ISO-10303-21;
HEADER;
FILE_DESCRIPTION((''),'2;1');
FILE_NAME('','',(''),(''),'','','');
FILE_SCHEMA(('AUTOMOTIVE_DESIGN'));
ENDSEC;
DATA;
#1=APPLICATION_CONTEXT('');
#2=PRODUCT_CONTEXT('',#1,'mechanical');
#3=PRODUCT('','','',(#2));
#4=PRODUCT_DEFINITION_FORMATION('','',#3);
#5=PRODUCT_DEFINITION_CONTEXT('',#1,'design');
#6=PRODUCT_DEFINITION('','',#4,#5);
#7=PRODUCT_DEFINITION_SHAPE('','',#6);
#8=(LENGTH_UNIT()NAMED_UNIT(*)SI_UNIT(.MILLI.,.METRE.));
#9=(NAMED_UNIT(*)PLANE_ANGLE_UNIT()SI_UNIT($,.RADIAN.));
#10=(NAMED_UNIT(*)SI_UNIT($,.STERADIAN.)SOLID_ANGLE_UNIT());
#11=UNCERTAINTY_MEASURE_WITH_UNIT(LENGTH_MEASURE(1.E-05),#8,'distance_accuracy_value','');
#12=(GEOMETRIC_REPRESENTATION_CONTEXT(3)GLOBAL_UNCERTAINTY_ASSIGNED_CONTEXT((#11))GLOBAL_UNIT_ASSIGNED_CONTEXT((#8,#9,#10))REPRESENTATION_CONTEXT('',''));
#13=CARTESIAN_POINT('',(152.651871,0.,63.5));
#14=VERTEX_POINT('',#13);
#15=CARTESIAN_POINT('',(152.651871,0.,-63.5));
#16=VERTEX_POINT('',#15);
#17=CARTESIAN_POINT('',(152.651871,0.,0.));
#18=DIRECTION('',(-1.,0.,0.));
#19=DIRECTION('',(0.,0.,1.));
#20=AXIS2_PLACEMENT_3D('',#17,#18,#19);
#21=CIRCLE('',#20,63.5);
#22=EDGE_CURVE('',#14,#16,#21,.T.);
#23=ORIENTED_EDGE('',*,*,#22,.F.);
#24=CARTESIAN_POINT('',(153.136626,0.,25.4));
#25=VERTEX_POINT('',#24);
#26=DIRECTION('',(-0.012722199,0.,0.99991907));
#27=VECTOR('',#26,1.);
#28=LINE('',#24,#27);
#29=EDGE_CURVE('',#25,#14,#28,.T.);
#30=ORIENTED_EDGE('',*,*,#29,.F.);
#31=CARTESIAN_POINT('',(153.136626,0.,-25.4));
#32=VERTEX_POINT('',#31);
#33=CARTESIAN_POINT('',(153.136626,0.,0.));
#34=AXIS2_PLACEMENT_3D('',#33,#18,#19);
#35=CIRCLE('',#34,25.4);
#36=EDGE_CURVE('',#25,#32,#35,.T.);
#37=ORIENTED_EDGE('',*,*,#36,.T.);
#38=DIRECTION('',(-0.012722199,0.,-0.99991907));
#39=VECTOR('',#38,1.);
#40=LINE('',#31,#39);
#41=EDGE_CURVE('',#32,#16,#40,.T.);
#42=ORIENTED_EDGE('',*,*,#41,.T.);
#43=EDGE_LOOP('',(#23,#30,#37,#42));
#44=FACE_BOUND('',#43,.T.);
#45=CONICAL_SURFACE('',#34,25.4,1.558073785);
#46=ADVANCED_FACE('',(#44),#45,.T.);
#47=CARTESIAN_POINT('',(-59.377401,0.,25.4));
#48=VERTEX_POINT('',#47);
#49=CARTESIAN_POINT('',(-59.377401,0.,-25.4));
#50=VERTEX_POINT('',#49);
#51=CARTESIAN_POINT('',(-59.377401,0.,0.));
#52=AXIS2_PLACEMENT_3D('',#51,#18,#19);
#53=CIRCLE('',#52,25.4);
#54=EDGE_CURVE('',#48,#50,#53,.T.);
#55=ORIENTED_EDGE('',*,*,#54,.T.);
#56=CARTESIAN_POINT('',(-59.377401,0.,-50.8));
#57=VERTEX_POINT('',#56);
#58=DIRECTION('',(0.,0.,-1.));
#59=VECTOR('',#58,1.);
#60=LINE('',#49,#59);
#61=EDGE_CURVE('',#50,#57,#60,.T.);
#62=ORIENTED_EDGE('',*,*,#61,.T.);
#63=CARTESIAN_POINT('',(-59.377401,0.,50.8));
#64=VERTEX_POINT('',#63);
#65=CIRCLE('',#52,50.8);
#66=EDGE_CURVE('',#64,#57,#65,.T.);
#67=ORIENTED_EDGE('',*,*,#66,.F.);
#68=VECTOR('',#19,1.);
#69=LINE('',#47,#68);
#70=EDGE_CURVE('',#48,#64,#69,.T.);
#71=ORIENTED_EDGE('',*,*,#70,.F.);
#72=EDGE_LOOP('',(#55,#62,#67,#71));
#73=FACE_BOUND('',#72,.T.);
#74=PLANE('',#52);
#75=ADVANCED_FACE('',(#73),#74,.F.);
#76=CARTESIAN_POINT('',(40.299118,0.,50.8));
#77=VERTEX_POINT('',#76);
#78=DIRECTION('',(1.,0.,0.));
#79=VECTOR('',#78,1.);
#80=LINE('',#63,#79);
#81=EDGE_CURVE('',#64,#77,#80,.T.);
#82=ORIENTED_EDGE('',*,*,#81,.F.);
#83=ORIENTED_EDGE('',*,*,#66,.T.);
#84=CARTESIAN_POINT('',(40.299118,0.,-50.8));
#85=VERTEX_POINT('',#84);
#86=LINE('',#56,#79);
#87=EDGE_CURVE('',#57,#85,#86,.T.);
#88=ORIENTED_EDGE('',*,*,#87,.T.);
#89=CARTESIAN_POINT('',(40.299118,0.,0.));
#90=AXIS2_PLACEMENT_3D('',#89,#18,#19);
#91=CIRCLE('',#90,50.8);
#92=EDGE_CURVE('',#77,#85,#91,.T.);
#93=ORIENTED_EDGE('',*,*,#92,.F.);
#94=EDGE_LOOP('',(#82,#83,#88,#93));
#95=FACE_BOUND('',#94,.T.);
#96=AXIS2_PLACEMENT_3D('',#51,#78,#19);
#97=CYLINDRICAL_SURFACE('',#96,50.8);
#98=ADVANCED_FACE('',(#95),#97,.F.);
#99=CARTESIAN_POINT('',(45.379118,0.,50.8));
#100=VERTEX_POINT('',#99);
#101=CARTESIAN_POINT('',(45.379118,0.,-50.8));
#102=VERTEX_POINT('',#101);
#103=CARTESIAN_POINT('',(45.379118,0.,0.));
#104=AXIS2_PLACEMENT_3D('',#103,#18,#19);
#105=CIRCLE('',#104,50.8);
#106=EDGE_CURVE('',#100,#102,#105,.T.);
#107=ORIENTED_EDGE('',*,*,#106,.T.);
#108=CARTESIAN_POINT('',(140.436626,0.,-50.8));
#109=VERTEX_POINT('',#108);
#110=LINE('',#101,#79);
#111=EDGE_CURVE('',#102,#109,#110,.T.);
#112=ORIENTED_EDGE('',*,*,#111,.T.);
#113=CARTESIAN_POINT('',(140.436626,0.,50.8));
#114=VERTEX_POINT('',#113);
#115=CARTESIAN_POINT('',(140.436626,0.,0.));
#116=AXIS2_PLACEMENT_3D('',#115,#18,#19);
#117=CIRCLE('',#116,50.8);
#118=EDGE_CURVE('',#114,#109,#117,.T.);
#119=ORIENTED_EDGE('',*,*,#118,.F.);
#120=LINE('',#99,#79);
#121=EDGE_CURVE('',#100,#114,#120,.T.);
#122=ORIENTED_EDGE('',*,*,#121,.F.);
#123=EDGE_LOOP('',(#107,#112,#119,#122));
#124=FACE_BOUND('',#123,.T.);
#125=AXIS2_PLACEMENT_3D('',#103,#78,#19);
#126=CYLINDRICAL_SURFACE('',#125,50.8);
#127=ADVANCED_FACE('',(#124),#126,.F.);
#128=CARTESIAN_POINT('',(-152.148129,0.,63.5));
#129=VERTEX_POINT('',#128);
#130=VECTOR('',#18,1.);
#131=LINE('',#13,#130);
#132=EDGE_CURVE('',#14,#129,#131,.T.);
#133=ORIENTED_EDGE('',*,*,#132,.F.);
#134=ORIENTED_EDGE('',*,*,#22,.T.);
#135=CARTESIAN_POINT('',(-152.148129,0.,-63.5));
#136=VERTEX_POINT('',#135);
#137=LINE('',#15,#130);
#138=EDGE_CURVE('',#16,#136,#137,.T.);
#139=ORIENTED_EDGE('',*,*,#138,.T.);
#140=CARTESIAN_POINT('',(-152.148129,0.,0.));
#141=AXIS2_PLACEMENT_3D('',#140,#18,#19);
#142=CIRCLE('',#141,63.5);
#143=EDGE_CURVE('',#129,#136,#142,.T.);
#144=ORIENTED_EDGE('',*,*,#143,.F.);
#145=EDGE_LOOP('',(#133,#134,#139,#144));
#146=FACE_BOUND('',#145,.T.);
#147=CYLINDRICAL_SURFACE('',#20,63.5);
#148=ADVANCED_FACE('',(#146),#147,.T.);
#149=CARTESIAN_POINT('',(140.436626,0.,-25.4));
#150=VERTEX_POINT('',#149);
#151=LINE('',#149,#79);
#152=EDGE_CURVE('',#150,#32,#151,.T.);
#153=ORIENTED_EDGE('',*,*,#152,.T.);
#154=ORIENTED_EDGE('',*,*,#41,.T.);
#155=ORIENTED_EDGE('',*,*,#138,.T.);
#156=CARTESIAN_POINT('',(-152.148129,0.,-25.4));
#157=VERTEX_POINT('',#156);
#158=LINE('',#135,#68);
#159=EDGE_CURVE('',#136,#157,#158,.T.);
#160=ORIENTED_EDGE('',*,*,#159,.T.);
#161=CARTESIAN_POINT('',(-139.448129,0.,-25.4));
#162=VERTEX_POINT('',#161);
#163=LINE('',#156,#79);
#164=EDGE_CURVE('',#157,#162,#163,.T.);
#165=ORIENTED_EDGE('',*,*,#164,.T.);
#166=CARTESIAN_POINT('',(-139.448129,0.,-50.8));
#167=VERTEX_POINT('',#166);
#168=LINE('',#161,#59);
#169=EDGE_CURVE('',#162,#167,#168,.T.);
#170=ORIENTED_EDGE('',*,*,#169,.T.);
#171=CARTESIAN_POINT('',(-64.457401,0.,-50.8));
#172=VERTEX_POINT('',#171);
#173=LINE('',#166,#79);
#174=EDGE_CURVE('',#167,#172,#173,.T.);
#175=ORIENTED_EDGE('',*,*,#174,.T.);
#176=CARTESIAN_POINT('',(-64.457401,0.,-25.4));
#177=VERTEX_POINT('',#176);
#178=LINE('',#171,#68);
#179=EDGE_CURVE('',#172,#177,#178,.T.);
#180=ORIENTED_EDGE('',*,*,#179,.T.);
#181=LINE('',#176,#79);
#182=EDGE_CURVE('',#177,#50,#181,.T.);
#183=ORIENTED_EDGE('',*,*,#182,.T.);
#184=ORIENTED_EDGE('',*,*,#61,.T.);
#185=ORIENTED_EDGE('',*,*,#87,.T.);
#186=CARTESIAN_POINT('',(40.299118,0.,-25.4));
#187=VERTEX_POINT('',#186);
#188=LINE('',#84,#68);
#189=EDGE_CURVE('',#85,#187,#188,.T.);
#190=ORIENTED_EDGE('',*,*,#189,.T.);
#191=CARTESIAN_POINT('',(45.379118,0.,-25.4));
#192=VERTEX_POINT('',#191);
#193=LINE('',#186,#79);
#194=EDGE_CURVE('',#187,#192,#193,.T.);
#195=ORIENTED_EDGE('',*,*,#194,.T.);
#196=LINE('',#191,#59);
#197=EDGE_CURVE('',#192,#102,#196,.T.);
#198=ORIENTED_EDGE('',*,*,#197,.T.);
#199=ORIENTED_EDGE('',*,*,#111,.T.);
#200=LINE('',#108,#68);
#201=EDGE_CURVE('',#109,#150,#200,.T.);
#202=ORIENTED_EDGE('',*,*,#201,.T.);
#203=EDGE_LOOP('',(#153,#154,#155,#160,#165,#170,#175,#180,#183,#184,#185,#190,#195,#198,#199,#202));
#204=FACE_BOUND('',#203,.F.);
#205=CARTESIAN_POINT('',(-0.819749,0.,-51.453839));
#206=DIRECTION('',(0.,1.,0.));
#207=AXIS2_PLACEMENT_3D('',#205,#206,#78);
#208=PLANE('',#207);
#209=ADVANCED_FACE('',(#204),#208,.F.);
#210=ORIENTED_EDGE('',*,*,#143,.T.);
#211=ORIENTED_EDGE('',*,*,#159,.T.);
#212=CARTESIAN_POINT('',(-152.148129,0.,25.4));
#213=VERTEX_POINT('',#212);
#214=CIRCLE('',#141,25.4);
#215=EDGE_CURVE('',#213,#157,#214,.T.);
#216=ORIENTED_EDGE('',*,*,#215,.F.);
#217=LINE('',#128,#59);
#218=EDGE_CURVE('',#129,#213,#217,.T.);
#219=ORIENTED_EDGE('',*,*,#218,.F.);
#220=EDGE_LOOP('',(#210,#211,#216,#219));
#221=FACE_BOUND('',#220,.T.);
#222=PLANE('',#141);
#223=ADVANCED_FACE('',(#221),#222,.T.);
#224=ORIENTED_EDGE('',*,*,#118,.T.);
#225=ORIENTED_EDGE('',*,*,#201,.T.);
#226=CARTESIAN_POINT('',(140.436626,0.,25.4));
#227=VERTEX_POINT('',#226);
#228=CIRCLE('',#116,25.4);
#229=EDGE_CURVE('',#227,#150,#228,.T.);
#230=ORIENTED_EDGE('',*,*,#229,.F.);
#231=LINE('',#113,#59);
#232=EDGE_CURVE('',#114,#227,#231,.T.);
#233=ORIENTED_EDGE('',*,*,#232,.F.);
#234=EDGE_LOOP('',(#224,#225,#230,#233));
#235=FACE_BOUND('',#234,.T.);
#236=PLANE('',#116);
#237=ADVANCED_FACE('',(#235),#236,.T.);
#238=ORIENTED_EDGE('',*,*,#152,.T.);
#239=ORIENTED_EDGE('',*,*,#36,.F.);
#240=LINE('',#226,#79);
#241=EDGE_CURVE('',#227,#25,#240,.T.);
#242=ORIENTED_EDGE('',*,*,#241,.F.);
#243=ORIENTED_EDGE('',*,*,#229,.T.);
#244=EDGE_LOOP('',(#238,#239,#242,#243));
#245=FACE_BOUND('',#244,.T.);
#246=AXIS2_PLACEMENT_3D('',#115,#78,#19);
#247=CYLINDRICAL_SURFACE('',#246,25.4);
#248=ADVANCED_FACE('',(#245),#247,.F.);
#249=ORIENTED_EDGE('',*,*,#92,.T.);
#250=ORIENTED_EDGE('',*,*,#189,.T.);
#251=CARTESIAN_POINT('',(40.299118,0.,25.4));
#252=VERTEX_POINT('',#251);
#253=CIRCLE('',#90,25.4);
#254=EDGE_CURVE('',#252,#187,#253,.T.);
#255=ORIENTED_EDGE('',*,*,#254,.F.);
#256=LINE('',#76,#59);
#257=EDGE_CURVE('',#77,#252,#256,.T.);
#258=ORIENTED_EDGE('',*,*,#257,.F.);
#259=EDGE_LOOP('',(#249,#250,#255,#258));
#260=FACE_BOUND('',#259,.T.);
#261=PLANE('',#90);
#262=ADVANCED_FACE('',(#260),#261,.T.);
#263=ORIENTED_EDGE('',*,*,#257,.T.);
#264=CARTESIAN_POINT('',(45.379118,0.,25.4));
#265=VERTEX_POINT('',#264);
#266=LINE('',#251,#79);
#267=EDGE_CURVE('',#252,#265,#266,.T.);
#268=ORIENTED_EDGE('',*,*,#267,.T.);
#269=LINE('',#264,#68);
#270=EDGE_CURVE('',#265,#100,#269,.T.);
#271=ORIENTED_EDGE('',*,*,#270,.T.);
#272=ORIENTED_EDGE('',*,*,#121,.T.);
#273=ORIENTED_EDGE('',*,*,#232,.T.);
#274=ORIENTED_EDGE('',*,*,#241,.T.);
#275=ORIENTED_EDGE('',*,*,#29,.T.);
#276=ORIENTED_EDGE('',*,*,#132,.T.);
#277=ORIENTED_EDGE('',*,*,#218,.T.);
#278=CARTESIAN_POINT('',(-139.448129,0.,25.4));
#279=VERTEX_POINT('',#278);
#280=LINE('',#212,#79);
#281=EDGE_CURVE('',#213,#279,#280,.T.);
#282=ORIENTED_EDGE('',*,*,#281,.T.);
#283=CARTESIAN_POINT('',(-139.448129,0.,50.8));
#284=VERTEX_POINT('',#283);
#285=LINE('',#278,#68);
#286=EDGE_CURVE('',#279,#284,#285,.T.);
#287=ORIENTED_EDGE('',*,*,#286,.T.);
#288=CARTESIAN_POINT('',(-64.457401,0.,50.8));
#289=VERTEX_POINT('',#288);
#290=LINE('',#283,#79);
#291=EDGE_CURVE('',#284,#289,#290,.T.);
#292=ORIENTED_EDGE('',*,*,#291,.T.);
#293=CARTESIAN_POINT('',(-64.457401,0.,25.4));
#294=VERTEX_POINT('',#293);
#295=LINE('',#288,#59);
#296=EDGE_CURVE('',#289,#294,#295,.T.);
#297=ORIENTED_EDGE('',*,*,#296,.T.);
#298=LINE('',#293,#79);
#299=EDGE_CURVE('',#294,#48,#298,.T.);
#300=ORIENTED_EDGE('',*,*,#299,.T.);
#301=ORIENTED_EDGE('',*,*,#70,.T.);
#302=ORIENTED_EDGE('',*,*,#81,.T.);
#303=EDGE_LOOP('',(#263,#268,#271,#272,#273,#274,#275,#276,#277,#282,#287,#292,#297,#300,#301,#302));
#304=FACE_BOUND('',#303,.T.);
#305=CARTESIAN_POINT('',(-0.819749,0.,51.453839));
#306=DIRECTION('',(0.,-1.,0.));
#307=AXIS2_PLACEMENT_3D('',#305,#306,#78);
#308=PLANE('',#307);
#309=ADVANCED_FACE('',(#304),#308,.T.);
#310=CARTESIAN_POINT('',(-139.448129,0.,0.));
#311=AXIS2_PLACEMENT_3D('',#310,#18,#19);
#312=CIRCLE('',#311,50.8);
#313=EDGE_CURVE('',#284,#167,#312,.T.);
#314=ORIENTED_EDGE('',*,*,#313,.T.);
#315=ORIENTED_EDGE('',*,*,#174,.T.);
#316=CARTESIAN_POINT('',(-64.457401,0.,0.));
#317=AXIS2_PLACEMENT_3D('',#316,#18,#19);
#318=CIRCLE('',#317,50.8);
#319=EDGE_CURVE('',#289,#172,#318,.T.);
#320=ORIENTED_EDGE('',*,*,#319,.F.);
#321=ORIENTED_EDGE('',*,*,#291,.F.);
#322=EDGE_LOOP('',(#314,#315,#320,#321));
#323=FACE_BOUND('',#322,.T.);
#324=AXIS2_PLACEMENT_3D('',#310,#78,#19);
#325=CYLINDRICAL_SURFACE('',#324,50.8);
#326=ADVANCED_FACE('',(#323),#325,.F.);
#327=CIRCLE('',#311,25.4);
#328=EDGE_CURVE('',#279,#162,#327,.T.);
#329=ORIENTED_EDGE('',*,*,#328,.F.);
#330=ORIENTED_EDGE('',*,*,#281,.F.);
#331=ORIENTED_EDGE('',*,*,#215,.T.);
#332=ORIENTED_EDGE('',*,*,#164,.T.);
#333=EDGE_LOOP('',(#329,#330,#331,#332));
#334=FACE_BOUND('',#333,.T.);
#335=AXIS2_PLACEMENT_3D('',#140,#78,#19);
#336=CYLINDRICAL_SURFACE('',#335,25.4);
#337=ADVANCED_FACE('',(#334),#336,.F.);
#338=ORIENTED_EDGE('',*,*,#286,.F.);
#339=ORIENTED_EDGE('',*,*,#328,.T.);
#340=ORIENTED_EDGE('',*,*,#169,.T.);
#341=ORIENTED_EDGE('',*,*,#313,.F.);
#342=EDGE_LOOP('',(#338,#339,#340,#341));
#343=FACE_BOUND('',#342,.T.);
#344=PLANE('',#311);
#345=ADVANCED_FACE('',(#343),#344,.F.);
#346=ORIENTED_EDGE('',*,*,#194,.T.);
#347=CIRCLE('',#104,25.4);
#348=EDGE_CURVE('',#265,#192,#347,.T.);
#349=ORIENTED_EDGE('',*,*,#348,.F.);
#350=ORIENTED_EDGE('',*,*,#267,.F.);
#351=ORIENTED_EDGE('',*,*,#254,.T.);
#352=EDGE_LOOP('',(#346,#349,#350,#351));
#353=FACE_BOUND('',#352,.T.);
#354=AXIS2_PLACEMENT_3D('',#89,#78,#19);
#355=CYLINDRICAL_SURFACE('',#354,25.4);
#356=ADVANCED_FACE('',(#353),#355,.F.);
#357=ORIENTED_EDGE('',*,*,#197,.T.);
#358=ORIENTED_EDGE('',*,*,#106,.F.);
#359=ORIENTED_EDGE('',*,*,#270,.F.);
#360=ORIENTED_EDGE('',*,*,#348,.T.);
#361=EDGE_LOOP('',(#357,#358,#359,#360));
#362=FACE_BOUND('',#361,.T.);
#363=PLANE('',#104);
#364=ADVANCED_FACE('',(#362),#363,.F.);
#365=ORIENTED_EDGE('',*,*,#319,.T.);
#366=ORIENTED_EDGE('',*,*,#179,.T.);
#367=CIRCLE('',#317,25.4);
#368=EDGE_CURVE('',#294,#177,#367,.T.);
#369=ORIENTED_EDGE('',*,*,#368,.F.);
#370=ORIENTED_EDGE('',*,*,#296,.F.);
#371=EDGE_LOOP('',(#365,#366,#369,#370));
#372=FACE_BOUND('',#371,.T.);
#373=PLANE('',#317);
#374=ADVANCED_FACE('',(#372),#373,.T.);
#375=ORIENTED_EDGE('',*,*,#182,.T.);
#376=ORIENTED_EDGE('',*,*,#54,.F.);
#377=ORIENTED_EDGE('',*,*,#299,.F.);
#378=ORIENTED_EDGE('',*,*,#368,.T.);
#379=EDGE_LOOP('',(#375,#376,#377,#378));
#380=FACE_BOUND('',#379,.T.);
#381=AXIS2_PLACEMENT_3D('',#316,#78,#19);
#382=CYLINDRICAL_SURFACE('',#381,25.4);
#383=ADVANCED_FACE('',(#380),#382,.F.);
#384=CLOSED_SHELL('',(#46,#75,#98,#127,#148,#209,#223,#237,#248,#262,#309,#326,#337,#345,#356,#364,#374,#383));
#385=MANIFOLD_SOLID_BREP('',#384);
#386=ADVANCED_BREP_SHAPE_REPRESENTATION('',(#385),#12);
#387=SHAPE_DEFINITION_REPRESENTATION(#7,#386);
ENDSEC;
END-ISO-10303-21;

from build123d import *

# Parameters (mm, degrees)
F1_ANGLE = 180


with BuildPart() as f1:
    # F0 (on Front) → F1 (revolve)
    with BuildSketch(Plane.XZ):
        Polygon((152.651871, 63.5), (-152.148129, 63.5), (-152.148129, 25.4), (-139.448129, 25.4), (-139.448129, 50.8), (-64.457401, 50.8), (-64.457401, 25.4), (-59.377401, 25.4), (-59.377401, 50.8), (40.299118, 50.8), (40.299118, 25.4), (45.379118, 25.4), (45.379118, 50.8), (140.436626, 50.8), (140.436626, 25.4), (153.136626, 25.4), align=None)
    revolve(axis=Axis((20.847701, 0, 0), (-1, 0, 0)), revolution_arc=F1_ANGLE)


solid = f1.part
